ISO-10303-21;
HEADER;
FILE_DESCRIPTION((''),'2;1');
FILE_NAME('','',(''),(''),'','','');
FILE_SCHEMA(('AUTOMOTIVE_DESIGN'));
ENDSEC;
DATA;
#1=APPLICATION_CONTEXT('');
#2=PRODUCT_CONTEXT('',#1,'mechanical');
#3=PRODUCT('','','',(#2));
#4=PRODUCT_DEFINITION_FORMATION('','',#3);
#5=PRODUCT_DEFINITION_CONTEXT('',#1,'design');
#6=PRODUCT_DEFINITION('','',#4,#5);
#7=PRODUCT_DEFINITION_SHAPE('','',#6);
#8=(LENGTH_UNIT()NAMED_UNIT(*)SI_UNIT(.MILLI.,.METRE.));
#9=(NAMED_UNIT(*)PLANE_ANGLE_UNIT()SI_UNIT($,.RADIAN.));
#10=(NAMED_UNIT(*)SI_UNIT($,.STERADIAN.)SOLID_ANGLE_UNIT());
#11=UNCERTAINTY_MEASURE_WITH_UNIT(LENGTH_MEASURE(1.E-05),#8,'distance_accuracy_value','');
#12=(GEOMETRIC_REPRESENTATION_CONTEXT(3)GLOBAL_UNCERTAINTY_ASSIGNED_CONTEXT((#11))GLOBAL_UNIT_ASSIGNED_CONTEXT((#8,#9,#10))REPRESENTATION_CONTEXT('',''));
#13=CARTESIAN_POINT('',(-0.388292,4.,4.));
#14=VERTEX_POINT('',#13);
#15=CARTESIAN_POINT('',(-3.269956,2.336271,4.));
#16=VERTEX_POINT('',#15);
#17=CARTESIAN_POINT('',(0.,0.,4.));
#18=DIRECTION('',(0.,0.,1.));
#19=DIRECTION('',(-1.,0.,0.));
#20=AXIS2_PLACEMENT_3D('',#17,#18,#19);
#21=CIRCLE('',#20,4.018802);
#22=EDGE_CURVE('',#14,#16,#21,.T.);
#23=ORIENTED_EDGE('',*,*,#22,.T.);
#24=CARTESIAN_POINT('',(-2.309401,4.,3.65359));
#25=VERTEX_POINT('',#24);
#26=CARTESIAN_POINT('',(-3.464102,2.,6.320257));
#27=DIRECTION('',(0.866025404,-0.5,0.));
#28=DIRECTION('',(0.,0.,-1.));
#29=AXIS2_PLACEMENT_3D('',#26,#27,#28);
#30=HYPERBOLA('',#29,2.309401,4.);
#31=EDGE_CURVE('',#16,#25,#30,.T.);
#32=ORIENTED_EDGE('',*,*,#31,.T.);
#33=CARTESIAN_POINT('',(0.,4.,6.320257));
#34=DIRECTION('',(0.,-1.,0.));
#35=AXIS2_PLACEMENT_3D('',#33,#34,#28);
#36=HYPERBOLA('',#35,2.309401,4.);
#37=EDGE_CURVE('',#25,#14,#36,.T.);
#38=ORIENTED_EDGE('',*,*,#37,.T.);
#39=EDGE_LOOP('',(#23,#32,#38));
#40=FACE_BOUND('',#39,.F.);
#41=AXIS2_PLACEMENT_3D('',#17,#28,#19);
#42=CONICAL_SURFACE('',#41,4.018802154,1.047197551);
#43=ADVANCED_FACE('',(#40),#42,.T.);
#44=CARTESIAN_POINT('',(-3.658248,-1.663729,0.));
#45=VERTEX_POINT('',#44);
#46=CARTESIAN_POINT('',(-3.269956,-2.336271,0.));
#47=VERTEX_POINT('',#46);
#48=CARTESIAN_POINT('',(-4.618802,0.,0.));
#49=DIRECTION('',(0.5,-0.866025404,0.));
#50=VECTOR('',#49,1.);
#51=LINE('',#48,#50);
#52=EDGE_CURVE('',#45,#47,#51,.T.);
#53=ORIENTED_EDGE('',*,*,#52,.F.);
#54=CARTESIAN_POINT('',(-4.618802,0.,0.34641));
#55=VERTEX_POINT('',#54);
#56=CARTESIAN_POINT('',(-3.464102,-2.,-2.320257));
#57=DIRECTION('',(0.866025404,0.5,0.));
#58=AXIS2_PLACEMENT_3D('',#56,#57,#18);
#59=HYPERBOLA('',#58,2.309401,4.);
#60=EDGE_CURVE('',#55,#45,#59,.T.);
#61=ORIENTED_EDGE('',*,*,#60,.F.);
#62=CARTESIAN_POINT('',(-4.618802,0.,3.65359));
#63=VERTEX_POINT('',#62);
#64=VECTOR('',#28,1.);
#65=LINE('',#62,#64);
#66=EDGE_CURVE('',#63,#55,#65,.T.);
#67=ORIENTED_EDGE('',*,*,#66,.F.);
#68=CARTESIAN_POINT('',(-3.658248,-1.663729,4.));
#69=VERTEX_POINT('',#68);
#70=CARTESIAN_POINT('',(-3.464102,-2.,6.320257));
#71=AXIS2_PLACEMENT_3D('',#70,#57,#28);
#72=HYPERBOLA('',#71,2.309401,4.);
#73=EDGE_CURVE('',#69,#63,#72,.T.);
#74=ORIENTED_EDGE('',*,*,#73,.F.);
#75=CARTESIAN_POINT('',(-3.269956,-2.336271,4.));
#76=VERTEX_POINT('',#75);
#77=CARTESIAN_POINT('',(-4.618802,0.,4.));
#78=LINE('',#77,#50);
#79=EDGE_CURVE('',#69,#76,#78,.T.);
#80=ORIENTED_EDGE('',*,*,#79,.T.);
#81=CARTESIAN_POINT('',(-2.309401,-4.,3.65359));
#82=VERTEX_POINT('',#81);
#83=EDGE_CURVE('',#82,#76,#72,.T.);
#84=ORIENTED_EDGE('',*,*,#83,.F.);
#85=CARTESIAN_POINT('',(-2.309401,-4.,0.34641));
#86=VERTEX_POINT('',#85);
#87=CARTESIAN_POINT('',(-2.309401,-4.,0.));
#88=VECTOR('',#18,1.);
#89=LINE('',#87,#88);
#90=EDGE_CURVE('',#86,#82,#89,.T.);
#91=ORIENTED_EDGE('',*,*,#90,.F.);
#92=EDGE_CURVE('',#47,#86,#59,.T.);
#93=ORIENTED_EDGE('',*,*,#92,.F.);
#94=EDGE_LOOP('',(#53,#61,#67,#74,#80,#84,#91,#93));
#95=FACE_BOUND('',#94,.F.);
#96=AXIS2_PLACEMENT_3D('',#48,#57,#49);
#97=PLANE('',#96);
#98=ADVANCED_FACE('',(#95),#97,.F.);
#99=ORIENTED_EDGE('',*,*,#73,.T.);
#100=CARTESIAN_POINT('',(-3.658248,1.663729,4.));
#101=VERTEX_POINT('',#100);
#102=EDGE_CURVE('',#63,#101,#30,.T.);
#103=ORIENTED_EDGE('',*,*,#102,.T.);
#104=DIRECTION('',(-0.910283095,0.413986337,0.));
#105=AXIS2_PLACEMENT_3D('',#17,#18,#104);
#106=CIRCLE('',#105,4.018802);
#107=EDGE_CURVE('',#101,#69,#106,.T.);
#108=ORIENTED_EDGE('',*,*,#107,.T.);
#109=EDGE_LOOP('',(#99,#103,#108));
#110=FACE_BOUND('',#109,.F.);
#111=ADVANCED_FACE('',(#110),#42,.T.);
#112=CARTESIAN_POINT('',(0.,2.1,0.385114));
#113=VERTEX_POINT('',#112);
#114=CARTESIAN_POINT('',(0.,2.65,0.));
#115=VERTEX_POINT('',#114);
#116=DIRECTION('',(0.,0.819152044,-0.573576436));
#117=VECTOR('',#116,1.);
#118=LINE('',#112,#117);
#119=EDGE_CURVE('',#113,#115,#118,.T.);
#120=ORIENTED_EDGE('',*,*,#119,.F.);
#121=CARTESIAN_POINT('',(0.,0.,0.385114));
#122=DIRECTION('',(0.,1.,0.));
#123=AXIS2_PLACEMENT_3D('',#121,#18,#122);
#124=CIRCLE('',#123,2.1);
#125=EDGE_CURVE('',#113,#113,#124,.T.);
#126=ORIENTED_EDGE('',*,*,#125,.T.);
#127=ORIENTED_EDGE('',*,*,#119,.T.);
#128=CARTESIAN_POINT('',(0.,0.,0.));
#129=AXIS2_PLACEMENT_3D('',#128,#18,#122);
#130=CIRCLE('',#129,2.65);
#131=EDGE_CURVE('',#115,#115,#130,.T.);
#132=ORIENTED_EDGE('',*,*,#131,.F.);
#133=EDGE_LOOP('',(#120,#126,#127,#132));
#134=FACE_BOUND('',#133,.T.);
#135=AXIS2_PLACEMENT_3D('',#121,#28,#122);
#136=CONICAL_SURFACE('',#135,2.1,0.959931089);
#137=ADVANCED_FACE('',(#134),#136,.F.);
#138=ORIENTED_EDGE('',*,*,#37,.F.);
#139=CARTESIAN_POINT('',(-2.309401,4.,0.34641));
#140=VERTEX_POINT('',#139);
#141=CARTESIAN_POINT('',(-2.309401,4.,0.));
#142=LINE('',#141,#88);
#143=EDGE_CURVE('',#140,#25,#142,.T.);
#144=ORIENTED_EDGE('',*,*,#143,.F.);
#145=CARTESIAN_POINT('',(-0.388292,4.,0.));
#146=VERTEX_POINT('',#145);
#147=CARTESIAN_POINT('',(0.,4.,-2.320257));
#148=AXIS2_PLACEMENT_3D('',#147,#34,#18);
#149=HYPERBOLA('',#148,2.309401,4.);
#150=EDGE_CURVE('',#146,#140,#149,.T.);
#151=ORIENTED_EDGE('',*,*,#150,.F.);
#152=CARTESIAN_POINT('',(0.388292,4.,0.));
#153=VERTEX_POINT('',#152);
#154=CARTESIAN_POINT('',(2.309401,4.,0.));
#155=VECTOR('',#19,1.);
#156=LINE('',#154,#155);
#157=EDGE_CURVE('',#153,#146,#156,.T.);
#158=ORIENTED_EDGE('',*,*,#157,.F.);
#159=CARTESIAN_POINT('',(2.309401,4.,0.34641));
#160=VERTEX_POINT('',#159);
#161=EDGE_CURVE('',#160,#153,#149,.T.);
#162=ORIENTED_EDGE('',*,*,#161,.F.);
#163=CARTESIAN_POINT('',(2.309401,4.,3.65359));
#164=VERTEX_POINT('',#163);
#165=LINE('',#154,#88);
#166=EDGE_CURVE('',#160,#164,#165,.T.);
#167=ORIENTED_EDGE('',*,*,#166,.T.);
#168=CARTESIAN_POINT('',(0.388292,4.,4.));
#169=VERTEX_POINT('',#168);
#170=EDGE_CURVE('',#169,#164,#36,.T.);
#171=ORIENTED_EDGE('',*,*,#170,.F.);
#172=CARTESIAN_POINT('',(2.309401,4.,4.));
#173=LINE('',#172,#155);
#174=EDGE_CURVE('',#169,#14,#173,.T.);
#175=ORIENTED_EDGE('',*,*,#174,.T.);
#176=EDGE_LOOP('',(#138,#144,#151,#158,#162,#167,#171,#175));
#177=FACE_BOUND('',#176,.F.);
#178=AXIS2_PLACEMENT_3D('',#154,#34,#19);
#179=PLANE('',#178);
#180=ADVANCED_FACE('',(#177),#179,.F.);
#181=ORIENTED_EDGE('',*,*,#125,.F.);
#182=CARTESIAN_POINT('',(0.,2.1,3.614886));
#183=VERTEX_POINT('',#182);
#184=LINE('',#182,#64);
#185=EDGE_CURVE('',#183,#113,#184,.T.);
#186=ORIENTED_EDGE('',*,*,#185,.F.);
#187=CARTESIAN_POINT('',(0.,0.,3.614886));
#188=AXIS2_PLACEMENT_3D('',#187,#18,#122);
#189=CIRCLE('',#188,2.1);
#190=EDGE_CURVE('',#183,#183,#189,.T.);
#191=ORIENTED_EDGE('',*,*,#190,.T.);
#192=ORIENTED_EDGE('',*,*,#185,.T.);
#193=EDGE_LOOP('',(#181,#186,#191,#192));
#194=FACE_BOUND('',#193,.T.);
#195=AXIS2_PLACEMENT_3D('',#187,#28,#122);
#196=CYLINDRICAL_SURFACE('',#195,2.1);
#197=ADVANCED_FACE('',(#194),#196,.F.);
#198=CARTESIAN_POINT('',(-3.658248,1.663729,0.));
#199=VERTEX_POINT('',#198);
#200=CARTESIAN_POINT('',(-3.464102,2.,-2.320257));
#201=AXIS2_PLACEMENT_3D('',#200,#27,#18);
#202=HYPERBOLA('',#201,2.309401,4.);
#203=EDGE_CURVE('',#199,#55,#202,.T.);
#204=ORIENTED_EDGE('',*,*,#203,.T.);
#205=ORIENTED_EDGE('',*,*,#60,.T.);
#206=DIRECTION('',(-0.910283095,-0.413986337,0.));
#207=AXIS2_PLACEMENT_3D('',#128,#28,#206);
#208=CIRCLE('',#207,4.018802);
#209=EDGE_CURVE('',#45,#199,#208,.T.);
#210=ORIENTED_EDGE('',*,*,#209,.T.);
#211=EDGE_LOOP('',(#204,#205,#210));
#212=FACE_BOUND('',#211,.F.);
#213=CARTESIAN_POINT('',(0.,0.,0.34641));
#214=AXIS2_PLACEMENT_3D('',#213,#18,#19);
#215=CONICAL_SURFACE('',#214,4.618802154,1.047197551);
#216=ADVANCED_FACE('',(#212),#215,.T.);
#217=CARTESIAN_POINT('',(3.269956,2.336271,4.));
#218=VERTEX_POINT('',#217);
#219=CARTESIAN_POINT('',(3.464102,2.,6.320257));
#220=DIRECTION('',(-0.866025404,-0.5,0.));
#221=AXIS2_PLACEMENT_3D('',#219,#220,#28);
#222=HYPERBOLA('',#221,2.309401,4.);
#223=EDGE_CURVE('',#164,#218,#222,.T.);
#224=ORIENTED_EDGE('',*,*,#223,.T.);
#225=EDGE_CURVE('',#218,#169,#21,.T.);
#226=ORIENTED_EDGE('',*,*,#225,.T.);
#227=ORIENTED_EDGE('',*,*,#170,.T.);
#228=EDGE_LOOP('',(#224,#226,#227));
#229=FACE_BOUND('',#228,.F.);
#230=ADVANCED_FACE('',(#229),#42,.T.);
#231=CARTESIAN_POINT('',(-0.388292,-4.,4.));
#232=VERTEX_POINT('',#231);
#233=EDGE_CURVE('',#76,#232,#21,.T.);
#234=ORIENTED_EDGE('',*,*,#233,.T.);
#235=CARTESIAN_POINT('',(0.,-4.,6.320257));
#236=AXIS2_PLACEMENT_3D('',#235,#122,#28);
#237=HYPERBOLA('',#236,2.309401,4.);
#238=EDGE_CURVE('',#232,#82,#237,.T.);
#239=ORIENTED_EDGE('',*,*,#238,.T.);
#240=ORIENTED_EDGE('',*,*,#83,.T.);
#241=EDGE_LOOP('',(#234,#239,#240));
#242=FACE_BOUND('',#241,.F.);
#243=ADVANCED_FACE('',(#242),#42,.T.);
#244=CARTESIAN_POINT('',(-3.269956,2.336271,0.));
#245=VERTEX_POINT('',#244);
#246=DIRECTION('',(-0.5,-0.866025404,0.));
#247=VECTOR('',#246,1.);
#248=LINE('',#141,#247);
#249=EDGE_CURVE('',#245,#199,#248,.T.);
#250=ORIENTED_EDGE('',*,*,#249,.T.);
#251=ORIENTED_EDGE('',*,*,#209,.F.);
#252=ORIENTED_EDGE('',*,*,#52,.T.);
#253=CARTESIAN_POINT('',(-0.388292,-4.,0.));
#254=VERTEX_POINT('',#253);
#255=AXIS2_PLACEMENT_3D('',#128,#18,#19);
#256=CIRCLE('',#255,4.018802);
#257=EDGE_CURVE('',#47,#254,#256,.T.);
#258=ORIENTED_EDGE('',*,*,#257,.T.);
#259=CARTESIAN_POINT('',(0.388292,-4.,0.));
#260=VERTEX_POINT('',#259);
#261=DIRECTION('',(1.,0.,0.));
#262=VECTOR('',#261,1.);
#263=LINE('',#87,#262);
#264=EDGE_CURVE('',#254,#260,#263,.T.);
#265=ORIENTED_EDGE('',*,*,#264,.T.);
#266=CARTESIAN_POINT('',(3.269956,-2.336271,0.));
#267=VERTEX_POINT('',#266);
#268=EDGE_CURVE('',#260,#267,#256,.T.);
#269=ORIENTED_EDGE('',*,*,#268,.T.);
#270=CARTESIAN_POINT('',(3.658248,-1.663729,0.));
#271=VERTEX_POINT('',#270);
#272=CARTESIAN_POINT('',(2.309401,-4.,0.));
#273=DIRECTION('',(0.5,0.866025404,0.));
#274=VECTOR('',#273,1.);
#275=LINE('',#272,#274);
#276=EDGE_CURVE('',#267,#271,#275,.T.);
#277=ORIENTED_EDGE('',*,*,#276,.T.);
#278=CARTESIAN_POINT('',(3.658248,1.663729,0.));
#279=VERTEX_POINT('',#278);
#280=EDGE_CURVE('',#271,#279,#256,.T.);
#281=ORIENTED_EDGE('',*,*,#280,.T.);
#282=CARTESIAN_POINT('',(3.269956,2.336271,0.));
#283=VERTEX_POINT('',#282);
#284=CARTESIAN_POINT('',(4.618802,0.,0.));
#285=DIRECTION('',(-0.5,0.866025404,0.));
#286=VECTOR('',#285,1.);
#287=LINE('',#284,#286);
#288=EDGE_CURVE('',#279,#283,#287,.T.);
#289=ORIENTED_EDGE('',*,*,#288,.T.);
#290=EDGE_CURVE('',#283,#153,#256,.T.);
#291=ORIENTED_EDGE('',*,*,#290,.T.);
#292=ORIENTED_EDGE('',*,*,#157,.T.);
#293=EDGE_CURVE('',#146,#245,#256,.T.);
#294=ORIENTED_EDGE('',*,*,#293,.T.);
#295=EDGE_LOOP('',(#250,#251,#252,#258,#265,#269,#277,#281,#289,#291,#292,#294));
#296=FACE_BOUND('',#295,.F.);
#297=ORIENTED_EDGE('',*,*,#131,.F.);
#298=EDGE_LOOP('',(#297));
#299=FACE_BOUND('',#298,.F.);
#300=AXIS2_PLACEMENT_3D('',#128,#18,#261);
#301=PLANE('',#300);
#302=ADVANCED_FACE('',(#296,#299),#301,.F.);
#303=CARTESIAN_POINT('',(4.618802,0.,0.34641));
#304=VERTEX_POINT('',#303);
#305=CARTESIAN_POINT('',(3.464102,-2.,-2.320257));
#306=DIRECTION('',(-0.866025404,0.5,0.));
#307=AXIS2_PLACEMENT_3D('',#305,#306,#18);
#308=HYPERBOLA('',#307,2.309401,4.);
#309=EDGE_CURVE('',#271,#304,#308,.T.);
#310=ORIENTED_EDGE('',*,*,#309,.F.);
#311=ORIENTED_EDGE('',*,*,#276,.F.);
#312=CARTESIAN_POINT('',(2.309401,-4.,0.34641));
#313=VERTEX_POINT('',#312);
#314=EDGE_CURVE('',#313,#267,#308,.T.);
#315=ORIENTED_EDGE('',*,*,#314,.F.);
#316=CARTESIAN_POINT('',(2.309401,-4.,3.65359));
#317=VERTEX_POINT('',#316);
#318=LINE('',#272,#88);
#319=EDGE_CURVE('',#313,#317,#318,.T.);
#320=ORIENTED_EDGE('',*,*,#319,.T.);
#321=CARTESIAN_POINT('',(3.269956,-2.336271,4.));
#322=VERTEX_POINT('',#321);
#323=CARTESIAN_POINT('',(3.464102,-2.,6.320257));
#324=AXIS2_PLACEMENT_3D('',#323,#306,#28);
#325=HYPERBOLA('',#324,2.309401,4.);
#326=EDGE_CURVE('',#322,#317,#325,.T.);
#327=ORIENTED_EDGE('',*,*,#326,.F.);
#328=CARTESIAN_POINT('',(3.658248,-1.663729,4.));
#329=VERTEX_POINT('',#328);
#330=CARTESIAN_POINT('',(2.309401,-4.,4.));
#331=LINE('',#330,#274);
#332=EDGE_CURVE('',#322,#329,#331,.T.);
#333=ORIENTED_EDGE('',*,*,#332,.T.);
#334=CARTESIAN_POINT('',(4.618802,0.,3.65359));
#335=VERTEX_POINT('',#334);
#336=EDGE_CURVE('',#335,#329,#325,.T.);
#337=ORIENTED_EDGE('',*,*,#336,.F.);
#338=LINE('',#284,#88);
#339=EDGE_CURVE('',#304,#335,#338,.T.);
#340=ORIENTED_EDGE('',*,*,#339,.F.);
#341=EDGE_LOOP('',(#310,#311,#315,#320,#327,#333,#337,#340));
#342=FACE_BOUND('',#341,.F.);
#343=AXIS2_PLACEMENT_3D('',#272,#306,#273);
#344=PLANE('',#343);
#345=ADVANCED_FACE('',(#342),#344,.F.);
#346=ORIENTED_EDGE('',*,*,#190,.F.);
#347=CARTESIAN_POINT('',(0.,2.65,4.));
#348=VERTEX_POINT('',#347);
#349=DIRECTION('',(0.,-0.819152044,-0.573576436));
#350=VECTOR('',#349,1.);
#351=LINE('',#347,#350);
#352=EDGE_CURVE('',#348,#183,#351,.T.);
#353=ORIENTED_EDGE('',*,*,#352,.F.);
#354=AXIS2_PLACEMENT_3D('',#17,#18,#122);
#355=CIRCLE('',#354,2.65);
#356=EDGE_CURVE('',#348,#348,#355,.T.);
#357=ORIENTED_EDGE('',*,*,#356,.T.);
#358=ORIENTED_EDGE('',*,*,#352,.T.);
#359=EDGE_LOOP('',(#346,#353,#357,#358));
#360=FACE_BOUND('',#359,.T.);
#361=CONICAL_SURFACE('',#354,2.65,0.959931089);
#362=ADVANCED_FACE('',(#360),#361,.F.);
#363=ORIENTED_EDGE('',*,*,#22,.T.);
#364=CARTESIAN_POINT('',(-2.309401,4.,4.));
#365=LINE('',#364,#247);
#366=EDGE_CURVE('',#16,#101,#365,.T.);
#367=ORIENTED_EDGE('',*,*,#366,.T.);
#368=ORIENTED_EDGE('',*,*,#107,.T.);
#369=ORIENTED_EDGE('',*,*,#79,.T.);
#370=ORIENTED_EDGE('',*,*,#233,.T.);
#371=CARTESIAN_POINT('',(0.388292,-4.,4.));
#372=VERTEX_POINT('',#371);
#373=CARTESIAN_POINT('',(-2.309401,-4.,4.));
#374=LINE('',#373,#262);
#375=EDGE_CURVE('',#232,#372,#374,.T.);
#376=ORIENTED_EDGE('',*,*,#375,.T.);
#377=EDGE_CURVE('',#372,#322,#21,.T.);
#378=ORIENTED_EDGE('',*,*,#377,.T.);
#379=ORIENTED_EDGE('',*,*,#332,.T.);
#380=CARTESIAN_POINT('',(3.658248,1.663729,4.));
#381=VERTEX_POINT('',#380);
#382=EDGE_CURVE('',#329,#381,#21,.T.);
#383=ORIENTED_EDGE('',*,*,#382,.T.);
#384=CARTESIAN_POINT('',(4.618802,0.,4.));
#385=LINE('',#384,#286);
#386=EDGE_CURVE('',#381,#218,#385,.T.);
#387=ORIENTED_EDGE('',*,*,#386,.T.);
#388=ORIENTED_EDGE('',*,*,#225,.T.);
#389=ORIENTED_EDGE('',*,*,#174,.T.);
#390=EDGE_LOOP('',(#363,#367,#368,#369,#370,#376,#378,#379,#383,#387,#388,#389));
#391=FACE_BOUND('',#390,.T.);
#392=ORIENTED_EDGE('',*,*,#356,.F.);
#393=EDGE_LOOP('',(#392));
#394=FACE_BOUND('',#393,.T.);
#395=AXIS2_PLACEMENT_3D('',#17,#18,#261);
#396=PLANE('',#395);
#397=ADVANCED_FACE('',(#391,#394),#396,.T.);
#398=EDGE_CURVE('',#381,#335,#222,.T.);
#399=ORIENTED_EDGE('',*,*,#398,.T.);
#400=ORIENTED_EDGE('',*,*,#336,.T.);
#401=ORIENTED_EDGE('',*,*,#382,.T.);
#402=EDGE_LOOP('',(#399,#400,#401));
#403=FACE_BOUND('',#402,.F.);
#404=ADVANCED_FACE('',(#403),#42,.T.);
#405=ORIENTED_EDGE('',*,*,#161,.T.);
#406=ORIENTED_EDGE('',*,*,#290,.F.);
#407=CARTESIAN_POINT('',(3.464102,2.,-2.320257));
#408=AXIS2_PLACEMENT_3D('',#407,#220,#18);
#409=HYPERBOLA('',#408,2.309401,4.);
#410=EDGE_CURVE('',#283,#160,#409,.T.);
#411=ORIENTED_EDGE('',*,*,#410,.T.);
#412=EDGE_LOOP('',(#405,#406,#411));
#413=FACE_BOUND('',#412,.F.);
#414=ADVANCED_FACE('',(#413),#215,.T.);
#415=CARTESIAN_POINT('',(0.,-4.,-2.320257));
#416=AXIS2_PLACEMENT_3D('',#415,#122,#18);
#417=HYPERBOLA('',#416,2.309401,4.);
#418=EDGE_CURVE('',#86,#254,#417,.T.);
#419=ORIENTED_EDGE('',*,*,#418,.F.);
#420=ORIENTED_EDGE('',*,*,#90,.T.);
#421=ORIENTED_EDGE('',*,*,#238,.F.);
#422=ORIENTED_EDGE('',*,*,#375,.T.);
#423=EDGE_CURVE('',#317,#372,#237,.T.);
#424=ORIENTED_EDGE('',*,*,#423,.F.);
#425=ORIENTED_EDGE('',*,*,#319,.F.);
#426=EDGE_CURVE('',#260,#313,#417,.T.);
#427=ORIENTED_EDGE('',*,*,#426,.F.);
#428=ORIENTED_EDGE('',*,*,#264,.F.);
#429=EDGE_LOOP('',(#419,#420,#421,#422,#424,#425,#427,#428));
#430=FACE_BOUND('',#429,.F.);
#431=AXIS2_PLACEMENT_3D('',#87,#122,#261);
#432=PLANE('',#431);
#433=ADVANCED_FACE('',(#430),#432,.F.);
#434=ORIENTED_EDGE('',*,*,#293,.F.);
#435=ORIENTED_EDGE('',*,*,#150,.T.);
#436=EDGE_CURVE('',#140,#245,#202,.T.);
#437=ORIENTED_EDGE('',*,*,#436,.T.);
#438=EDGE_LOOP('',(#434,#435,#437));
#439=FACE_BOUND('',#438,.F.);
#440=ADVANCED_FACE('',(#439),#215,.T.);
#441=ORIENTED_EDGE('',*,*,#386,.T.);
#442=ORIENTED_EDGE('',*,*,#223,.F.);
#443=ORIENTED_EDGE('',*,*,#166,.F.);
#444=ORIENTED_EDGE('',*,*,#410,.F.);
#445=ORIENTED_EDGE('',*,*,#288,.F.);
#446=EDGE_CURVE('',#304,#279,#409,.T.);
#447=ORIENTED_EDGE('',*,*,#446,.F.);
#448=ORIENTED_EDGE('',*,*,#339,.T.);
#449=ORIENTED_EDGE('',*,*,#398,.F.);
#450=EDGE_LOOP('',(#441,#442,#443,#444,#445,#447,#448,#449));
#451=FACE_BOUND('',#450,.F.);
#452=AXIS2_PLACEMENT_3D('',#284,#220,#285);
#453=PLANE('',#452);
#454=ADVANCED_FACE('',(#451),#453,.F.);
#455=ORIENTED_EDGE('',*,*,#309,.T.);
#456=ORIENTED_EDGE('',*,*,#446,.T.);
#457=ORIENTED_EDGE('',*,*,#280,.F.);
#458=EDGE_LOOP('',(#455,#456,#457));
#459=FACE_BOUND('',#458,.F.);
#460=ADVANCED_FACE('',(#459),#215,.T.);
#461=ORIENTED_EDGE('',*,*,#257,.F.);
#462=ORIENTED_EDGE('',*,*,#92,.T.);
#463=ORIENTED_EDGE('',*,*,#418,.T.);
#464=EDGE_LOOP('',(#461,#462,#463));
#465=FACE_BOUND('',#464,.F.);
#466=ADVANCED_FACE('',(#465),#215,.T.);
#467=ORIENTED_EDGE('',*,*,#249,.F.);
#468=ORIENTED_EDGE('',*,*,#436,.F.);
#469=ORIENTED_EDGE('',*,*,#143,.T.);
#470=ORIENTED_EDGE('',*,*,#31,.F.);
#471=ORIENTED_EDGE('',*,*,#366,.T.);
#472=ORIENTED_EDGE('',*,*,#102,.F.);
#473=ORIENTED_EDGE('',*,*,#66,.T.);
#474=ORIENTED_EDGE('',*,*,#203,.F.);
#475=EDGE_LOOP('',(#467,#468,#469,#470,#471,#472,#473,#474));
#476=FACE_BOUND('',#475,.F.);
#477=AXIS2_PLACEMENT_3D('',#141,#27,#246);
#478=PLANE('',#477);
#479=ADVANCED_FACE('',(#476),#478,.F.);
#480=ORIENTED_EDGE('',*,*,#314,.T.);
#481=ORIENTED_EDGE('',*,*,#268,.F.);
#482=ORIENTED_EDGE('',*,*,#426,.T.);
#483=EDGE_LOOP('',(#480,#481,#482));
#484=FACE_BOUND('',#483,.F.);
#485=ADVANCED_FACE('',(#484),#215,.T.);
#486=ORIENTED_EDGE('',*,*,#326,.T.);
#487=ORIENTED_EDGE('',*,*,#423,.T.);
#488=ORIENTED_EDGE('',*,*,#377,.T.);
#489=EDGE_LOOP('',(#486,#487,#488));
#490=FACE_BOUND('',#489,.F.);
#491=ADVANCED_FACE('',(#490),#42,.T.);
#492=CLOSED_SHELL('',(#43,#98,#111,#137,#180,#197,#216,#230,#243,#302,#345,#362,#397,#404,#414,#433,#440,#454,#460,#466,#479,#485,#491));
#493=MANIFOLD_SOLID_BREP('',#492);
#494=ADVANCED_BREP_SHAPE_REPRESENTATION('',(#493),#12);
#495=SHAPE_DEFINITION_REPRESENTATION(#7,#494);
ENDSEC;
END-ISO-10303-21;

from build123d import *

# Parameters (mm, degrees)
EXTRUDE_1_DEPTH = 4


with BuildPart() as part:
    # Эскиз1 → Бобышка-Вытянуть1 (new body)
    with BuildSketch(Plane.XY):
        Polygon((4.618802154, 0), (2.309401077, 4), (-2.309401077, 4), (-4.618802154, 0), (-2.309401077, -4), (2.309401077, -4), align=None)
    extrude(amount=EXTRUDE_1_DEPTH)

    # Эскиз2 → Вырез-Повернуть2 (revolve, cut)
    with BuildSketch(Plane(origin=(0, 0, 0), x_dir=(1, 0, 0), z_dir=(0, 1, 0))):
        Polygon((-4.018802154, 0), (-4.018802154, 0.812802913), (-5.016585269, 0.812802913), (-5.016585269, -4.215003636), (-4.018802154, -4.215003636), (-4.018802154, -4), (-4.618802154, -3.653589838), (-4.618802154, -0.346410162), align=None)
    revolve(axis=Axis((0, 0, 0), (0, 0, 1)), mode=Mode.SUBTRACT)

    # Эскиз3 → Отверстие обработанное метчиком M51 (revolve, cut)
    with BuildSketch(Plane.YZ):
        Polygon((0, 0), (0, 4), (2.65, 4), (2.1, 3.614885854), (2.1, 0.385114146), (2.65, 0), align=None)
    revolve(axis=Axis((0, 0, -6.35), (0, 0, 1)), mode=Mode.SUBTRACT)


solid = part.part
